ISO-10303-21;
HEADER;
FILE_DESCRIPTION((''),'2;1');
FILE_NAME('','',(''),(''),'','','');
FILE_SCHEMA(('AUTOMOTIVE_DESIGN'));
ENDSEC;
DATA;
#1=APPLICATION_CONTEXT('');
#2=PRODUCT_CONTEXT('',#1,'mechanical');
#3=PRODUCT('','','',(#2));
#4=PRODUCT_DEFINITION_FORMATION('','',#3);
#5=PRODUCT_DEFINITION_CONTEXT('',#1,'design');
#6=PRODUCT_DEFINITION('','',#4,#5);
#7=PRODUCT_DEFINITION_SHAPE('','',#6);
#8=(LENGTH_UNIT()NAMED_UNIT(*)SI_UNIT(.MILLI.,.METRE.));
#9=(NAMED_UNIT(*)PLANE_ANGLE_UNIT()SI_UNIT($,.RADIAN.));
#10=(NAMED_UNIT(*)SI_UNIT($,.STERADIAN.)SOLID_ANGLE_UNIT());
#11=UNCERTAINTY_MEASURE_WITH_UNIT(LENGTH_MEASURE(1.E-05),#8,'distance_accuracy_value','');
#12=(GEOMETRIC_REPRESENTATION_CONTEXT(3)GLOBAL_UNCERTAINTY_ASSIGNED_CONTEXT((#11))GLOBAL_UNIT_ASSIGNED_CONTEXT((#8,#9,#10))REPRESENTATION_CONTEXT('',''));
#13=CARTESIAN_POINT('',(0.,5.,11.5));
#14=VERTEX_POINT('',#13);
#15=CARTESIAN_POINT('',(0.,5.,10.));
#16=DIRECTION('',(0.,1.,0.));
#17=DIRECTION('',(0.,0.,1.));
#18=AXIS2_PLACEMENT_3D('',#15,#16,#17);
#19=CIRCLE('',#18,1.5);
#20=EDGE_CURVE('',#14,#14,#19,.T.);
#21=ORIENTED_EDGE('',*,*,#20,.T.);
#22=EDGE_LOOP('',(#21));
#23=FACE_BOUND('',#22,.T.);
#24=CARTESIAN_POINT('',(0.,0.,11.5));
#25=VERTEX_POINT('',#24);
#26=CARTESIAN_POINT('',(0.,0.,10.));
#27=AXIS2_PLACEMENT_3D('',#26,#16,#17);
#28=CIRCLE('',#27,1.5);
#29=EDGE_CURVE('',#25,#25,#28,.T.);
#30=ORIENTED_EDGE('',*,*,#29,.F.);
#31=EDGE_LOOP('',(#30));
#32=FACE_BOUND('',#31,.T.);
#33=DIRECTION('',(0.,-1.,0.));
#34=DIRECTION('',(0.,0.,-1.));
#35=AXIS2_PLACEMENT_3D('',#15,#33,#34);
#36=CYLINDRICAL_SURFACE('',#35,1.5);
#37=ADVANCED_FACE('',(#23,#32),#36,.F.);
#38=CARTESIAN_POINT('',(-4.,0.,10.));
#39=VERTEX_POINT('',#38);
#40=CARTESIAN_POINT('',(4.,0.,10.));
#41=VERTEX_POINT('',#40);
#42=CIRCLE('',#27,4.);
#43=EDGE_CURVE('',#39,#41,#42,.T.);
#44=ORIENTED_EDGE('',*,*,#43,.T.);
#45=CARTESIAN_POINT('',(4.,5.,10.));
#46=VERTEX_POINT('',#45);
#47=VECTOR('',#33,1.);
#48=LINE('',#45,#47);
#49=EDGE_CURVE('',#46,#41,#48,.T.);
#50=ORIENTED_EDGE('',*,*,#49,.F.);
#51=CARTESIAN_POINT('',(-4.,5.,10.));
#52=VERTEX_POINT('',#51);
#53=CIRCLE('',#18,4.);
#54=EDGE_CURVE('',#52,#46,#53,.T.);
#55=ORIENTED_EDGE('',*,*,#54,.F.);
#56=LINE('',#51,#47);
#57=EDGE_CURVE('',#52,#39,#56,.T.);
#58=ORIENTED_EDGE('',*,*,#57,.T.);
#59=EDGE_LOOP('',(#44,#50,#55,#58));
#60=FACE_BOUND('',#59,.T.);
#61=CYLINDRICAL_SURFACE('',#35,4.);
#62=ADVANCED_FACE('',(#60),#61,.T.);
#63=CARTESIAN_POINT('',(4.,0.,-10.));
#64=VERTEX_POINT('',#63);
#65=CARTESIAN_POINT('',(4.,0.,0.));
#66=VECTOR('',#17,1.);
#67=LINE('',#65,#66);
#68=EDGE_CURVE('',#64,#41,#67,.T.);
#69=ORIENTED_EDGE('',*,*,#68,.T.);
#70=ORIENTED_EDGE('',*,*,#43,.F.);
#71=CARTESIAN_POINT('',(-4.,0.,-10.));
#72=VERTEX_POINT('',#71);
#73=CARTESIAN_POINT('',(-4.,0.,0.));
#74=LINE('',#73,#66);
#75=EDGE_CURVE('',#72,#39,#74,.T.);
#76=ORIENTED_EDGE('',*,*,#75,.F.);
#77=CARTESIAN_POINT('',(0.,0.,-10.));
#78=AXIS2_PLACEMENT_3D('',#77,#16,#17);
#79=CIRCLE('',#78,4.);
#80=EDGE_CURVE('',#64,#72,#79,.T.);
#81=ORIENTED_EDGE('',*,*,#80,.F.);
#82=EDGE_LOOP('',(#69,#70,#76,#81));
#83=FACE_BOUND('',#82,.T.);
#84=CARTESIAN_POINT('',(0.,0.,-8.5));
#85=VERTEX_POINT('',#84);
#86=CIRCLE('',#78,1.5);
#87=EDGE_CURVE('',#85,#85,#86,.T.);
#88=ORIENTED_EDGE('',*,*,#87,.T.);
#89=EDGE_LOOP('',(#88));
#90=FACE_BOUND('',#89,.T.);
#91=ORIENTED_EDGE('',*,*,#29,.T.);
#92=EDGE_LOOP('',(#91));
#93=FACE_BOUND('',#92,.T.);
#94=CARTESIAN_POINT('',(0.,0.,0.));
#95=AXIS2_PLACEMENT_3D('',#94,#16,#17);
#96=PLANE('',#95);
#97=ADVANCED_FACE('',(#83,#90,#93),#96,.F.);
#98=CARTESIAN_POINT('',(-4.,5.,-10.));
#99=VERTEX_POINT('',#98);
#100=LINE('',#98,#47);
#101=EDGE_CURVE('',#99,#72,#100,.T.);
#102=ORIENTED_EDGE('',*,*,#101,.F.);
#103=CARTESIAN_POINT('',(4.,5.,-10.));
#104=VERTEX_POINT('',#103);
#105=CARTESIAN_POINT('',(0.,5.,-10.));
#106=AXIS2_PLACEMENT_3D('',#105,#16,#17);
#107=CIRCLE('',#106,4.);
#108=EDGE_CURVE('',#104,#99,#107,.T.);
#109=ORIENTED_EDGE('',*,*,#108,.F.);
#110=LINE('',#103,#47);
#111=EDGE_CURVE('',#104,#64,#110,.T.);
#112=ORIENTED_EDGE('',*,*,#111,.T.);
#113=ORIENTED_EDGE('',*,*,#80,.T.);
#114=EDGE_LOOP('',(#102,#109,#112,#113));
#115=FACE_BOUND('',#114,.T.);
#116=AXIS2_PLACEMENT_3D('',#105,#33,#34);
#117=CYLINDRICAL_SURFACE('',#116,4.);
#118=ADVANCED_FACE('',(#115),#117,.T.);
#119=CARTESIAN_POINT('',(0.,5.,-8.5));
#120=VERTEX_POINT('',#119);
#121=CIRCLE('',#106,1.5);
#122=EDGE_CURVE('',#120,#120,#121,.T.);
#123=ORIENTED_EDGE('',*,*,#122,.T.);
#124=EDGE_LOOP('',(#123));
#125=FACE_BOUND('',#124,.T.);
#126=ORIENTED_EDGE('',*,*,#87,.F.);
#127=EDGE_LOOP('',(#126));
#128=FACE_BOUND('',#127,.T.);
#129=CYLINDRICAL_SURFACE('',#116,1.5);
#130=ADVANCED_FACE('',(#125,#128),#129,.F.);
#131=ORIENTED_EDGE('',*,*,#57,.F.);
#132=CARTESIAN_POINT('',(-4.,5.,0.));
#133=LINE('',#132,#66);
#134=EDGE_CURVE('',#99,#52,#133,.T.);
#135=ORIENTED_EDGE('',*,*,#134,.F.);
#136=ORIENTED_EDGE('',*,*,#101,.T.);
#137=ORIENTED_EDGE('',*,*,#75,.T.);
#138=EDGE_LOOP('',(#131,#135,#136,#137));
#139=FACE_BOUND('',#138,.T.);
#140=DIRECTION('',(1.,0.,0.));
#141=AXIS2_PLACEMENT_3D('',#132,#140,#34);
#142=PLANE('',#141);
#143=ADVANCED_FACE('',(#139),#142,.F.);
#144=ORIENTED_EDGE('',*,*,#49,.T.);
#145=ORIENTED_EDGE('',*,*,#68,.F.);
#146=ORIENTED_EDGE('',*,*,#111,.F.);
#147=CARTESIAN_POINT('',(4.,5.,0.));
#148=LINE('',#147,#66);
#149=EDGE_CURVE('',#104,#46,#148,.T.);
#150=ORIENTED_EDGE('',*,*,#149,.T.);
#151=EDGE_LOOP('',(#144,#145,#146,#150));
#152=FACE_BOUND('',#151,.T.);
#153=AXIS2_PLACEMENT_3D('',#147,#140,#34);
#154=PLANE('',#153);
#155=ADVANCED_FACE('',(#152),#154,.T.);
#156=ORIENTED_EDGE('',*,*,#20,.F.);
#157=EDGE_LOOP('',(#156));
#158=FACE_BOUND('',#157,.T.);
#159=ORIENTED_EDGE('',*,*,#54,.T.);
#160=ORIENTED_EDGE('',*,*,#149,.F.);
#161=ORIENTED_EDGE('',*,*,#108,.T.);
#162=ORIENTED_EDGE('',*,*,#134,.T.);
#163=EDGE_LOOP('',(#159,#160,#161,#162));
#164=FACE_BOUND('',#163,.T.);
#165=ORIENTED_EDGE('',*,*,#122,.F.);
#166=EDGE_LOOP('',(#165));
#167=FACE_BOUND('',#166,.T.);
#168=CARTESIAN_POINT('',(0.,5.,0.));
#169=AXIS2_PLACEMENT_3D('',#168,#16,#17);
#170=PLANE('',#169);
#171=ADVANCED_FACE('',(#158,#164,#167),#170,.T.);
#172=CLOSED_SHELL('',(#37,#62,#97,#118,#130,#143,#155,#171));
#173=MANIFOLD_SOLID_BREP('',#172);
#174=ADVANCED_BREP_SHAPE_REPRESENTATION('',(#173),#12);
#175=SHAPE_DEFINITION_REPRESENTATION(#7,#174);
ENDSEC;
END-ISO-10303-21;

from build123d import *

# Parameters (mm, degrees)
SKETCH_1_R      = 1.5
EXTRUDE_1_DEPTH = 5


with BuildPart() as part:
    # 草图1 → 凸台-拉伸1 (new body)
    with BuildSketch(Plane(origin=(0, 0, 0), x_dir=(1, 0, 0), z_dir=(0, 1, 0))):
        with BuildLine():
            Line((4, 10), (4, -10))
            ThreePointArc((4, -10), (0, -14), (-4, -10))
            Line((-4, -10), (-4, 10))
            ThreePointArc((-4, 10), (0, 14), (4, 10))
        make_face()
        with Locations(Location((0, 10, 0), (0, 0, 270))):
            Circle(SKETCH_1_R, mode=Mode.SUBTRACT)
        with Locations(Location((0, -10, 0), (0, 0, 270))):
            Circle(SKETCH_1_R, mode=Mode.SUBTRACT)
    extrude(amount=EXTRUDE_1_DEPTH)


solid = part.part
